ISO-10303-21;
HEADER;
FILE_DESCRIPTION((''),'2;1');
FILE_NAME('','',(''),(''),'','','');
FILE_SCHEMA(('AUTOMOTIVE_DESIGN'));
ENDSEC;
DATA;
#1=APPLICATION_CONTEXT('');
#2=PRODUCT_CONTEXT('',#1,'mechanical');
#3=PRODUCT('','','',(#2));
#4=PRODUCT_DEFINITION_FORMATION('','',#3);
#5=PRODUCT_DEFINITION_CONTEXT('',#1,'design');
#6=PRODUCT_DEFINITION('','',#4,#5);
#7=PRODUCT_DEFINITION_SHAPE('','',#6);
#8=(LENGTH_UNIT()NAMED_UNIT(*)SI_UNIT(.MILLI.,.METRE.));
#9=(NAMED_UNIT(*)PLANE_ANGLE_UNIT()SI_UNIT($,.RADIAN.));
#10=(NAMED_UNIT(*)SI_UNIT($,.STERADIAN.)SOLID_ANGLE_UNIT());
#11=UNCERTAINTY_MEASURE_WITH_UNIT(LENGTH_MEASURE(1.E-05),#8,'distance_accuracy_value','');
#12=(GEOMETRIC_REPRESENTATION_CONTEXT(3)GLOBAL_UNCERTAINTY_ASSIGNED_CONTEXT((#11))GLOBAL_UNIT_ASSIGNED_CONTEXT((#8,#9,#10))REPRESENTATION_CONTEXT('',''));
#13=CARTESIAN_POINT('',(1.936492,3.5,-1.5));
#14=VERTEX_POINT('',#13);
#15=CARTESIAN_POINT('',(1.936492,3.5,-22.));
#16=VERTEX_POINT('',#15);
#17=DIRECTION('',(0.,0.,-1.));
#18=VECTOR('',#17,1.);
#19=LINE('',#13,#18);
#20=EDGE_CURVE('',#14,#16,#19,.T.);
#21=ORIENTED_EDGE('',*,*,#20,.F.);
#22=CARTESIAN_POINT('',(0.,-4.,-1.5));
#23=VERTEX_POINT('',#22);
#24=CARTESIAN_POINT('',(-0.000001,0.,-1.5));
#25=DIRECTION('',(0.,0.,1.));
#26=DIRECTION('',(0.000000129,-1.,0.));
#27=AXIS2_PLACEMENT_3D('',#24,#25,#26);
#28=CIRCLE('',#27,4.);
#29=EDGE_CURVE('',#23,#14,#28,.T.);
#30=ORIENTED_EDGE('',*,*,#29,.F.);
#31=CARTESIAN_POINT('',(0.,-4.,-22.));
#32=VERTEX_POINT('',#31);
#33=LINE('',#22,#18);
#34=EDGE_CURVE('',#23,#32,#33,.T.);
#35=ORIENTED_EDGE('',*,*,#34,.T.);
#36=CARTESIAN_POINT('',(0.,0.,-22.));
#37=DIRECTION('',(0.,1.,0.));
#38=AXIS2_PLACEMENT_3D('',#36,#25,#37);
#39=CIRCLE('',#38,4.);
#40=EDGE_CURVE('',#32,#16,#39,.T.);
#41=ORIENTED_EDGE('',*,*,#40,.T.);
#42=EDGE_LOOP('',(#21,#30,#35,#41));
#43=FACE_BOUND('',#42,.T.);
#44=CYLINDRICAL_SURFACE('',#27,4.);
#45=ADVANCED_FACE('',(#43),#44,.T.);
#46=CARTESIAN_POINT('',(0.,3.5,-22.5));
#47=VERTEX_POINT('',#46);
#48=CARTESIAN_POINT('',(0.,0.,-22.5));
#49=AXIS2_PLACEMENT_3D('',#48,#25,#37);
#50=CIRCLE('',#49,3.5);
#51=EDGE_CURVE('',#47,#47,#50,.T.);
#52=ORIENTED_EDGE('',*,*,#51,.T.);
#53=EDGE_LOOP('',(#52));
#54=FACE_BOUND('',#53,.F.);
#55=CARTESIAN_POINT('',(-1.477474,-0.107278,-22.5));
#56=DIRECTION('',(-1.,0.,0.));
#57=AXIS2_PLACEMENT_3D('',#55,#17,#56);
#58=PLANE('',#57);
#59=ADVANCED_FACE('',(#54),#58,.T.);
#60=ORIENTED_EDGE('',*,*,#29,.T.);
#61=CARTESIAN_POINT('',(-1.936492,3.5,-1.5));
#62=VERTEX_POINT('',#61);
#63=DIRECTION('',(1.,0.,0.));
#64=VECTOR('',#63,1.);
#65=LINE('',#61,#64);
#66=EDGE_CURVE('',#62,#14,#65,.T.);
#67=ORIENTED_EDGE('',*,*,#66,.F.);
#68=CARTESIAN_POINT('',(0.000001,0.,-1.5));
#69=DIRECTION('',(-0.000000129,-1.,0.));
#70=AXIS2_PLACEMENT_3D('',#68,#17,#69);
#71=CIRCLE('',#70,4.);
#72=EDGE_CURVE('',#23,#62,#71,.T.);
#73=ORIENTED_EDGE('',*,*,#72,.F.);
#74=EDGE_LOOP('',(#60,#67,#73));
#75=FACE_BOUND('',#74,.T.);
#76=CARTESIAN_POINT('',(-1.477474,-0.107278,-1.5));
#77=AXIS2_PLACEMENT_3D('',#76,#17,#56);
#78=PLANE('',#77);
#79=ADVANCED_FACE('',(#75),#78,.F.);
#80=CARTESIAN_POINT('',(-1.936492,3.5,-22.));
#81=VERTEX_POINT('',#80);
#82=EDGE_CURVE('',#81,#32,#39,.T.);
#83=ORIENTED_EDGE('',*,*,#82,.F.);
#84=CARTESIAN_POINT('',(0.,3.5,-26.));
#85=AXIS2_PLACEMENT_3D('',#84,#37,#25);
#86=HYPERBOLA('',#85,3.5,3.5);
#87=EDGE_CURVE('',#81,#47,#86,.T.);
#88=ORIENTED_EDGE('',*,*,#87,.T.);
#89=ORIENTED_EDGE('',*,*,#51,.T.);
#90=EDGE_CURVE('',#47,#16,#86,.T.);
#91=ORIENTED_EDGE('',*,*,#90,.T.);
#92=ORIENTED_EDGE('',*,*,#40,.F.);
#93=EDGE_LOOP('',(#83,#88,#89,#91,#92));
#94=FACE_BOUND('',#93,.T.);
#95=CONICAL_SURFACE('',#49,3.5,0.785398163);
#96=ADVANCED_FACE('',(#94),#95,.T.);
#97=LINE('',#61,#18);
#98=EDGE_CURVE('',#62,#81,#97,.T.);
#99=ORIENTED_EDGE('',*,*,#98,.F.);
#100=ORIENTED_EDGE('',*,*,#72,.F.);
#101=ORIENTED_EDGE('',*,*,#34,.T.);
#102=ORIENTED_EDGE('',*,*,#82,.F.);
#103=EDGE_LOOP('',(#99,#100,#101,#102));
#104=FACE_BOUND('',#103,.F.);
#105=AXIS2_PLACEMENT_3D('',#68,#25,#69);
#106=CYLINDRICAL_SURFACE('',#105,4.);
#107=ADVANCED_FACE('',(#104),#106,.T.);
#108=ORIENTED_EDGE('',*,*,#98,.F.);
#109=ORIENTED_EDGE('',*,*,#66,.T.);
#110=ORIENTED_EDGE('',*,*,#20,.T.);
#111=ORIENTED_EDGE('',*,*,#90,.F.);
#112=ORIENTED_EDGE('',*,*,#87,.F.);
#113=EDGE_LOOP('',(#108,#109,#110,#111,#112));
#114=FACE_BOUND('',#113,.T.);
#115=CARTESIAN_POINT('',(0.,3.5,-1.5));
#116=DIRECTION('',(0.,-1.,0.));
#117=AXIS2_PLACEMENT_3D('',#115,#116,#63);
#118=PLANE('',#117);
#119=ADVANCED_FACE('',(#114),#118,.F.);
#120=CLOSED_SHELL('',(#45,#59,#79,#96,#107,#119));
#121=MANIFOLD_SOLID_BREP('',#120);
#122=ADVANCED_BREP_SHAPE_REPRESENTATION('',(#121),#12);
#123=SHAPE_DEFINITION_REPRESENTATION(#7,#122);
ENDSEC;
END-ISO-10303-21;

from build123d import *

# Parameters (mm, degrees)
PAD001_DEPTH = 21


with BuildPart() as part:
    # Sketch002 → Pad001 (new body)
    with BuildSketch(Plane.XY):
        with BuildLine():
            Line((0, 3.5), (1.936492, 3.5))
            ThreePointArc((0, -4), (3.872983, -1), (1.936492, 3.5))
            Line((0, -4), (0, 3.5))
        make_face()
    pad001 = extrude(amount=-PAD001_DEPTH)

    # Mirrored002: Pad001 across Sketch002 V_Axis
    add(pad001.mirror(Plane(origin=(0, 0, 0), x_dir=(0, 0, 1), z_dir=(1, 0, 0))))

    # Sketch003 → Groove (revolve, cut)
    with BuildSketch(Plane.YZ):
        Polygon((3.5, -21), (4, -20.5), (4, -21), align=None)
    revolve(axis=Axis((0, 0, 0), (0, 0, 1)), mode=Mode.SUBTRACT)


with BuildPart() as part_1:
    # Body001 placement: moved
    add(part.part.moved(Location((0, 0, -1.5))))


solid = part_1.part
